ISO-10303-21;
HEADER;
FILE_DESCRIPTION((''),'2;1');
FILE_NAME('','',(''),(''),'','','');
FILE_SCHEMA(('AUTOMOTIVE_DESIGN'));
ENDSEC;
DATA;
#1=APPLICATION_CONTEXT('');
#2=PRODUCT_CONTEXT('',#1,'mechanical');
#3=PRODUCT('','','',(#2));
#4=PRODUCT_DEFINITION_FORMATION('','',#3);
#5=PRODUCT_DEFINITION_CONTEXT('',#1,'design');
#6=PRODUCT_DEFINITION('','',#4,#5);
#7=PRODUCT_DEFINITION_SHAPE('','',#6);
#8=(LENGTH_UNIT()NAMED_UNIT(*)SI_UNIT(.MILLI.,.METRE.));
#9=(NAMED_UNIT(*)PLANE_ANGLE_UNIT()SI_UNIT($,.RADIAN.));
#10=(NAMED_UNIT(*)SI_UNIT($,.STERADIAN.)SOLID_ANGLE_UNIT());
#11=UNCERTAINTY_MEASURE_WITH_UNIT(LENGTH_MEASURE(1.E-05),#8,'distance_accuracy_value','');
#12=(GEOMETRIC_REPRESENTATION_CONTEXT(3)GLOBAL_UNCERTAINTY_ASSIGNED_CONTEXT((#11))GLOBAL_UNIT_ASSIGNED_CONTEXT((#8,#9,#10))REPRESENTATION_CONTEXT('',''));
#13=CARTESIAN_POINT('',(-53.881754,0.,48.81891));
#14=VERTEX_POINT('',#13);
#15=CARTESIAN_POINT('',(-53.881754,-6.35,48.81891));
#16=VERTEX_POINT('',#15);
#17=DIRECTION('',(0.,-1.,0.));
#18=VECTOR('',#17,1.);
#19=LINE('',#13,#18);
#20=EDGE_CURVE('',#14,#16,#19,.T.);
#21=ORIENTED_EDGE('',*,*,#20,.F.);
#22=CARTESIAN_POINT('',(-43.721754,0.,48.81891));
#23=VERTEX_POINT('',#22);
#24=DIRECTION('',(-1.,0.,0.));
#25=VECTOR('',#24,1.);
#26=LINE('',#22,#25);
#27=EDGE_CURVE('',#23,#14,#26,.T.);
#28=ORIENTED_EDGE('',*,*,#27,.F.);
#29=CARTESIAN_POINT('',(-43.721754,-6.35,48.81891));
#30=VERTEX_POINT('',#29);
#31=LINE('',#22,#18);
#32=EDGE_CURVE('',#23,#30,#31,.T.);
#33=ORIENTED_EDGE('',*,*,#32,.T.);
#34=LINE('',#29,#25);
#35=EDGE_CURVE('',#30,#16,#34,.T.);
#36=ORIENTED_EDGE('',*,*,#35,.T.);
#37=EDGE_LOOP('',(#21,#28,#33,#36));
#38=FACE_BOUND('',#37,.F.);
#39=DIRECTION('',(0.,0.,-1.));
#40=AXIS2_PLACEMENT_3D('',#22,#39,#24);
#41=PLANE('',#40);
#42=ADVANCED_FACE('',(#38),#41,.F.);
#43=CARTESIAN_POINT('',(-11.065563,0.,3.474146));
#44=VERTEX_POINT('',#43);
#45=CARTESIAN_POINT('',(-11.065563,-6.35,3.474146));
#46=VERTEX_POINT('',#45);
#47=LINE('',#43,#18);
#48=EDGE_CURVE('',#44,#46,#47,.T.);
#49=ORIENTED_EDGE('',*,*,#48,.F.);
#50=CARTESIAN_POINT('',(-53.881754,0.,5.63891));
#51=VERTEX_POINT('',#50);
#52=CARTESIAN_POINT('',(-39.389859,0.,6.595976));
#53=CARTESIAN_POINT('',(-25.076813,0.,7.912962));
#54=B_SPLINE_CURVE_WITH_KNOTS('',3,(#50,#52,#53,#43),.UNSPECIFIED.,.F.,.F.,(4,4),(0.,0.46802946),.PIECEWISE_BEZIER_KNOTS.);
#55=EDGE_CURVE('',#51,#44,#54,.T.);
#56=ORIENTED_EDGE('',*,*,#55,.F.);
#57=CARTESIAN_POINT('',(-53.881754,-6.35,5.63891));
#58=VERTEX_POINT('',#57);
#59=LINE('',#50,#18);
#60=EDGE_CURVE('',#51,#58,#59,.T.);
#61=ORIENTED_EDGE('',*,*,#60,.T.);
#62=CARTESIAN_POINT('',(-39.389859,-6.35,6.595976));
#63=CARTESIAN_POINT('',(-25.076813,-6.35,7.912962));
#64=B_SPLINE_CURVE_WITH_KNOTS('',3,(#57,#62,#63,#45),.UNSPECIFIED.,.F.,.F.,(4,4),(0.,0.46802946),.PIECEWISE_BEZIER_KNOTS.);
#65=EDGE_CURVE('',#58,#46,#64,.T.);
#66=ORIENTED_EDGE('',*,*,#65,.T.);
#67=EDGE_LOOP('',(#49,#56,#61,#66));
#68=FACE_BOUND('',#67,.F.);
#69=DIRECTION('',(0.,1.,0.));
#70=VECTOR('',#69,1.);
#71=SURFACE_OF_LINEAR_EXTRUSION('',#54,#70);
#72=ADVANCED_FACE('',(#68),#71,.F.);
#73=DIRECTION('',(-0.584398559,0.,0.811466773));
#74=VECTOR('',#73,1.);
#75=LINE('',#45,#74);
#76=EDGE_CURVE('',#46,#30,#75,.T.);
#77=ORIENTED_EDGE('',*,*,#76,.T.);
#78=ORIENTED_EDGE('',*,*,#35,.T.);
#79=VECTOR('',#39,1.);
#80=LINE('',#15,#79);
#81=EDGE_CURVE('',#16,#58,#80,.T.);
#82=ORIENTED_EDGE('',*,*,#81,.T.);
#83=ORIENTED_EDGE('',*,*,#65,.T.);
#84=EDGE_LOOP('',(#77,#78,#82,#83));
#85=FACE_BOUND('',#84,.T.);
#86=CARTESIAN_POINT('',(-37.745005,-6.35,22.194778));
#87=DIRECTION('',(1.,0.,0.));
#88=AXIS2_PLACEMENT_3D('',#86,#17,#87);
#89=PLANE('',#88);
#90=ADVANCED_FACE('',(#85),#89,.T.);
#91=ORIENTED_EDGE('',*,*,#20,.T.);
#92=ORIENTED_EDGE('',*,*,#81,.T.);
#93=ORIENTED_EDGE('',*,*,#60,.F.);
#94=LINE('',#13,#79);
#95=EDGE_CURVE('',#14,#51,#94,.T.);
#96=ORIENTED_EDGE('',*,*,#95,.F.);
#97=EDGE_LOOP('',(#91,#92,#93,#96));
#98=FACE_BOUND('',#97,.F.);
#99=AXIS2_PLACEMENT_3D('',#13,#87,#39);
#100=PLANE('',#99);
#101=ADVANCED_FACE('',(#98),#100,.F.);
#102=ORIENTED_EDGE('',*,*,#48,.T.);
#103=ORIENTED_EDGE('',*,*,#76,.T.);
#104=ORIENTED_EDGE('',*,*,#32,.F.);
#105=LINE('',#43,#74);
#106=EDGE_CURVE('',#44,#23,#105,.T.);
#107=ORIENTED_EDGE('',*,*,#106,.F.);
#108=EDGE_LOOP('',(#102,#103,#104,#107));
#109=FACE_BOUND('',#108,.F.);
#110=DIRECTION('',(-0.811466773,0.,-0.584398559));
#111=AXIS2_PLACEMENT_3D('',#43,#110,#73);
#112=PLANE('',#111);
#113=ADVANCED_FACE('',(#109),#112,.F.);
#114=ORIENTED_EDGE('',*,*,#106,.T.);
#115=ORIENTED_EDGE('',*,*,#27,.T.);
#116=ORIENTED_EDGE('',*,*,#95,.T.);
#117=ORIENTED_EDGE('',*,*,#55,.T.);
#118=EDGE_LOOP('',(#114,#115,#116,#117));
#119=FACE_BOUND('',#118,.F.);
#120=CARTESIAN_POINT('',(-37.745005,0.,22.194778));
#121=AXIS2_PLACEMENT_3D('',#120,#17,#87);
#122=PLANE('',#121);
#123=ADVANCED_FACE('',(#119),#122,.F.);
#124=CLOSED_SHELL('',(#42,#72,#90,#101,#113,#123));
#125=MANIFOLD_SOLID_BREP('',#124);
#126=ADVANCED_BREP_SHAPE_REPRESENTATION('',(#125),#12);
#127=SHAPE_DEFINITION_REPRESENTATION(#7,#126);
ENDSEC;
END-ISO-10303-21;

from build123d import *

# Parameters (mm, degrees)
F1_DEPTH = 6.35


with BuildPart() as f1:
    # F0 (on Front) → F1 (new body)
    with BuildSketch(Plane.XZ):
        with BuildLine():
            Line((-43.7217544995, 48.8189097859), (-53.8817544995, 48.8189097859))
            Line((-53.8817544995, 48.8189097859), (-53.8817544995, 5.6389097859))
            add(Edge.make_bspline(
                [(-53.8817544995, 5.6389097859), (-39.3898588641, 6.5959759387), (-25.0768126259, 7.9129616704), (-11.0655630203, 3.4741464932)],
                knots=[0, 0, 0, 0, 0.4680294603, 0.4680294603, 0.4680294603, 0.4680294603], degree=3))
            Line((-11.0655630203, 3.4741464932), (-43.7217544995, 48.8189097859))
        make_face()
    extrude(amount=F1_DEPTH)


solid = f1.part
